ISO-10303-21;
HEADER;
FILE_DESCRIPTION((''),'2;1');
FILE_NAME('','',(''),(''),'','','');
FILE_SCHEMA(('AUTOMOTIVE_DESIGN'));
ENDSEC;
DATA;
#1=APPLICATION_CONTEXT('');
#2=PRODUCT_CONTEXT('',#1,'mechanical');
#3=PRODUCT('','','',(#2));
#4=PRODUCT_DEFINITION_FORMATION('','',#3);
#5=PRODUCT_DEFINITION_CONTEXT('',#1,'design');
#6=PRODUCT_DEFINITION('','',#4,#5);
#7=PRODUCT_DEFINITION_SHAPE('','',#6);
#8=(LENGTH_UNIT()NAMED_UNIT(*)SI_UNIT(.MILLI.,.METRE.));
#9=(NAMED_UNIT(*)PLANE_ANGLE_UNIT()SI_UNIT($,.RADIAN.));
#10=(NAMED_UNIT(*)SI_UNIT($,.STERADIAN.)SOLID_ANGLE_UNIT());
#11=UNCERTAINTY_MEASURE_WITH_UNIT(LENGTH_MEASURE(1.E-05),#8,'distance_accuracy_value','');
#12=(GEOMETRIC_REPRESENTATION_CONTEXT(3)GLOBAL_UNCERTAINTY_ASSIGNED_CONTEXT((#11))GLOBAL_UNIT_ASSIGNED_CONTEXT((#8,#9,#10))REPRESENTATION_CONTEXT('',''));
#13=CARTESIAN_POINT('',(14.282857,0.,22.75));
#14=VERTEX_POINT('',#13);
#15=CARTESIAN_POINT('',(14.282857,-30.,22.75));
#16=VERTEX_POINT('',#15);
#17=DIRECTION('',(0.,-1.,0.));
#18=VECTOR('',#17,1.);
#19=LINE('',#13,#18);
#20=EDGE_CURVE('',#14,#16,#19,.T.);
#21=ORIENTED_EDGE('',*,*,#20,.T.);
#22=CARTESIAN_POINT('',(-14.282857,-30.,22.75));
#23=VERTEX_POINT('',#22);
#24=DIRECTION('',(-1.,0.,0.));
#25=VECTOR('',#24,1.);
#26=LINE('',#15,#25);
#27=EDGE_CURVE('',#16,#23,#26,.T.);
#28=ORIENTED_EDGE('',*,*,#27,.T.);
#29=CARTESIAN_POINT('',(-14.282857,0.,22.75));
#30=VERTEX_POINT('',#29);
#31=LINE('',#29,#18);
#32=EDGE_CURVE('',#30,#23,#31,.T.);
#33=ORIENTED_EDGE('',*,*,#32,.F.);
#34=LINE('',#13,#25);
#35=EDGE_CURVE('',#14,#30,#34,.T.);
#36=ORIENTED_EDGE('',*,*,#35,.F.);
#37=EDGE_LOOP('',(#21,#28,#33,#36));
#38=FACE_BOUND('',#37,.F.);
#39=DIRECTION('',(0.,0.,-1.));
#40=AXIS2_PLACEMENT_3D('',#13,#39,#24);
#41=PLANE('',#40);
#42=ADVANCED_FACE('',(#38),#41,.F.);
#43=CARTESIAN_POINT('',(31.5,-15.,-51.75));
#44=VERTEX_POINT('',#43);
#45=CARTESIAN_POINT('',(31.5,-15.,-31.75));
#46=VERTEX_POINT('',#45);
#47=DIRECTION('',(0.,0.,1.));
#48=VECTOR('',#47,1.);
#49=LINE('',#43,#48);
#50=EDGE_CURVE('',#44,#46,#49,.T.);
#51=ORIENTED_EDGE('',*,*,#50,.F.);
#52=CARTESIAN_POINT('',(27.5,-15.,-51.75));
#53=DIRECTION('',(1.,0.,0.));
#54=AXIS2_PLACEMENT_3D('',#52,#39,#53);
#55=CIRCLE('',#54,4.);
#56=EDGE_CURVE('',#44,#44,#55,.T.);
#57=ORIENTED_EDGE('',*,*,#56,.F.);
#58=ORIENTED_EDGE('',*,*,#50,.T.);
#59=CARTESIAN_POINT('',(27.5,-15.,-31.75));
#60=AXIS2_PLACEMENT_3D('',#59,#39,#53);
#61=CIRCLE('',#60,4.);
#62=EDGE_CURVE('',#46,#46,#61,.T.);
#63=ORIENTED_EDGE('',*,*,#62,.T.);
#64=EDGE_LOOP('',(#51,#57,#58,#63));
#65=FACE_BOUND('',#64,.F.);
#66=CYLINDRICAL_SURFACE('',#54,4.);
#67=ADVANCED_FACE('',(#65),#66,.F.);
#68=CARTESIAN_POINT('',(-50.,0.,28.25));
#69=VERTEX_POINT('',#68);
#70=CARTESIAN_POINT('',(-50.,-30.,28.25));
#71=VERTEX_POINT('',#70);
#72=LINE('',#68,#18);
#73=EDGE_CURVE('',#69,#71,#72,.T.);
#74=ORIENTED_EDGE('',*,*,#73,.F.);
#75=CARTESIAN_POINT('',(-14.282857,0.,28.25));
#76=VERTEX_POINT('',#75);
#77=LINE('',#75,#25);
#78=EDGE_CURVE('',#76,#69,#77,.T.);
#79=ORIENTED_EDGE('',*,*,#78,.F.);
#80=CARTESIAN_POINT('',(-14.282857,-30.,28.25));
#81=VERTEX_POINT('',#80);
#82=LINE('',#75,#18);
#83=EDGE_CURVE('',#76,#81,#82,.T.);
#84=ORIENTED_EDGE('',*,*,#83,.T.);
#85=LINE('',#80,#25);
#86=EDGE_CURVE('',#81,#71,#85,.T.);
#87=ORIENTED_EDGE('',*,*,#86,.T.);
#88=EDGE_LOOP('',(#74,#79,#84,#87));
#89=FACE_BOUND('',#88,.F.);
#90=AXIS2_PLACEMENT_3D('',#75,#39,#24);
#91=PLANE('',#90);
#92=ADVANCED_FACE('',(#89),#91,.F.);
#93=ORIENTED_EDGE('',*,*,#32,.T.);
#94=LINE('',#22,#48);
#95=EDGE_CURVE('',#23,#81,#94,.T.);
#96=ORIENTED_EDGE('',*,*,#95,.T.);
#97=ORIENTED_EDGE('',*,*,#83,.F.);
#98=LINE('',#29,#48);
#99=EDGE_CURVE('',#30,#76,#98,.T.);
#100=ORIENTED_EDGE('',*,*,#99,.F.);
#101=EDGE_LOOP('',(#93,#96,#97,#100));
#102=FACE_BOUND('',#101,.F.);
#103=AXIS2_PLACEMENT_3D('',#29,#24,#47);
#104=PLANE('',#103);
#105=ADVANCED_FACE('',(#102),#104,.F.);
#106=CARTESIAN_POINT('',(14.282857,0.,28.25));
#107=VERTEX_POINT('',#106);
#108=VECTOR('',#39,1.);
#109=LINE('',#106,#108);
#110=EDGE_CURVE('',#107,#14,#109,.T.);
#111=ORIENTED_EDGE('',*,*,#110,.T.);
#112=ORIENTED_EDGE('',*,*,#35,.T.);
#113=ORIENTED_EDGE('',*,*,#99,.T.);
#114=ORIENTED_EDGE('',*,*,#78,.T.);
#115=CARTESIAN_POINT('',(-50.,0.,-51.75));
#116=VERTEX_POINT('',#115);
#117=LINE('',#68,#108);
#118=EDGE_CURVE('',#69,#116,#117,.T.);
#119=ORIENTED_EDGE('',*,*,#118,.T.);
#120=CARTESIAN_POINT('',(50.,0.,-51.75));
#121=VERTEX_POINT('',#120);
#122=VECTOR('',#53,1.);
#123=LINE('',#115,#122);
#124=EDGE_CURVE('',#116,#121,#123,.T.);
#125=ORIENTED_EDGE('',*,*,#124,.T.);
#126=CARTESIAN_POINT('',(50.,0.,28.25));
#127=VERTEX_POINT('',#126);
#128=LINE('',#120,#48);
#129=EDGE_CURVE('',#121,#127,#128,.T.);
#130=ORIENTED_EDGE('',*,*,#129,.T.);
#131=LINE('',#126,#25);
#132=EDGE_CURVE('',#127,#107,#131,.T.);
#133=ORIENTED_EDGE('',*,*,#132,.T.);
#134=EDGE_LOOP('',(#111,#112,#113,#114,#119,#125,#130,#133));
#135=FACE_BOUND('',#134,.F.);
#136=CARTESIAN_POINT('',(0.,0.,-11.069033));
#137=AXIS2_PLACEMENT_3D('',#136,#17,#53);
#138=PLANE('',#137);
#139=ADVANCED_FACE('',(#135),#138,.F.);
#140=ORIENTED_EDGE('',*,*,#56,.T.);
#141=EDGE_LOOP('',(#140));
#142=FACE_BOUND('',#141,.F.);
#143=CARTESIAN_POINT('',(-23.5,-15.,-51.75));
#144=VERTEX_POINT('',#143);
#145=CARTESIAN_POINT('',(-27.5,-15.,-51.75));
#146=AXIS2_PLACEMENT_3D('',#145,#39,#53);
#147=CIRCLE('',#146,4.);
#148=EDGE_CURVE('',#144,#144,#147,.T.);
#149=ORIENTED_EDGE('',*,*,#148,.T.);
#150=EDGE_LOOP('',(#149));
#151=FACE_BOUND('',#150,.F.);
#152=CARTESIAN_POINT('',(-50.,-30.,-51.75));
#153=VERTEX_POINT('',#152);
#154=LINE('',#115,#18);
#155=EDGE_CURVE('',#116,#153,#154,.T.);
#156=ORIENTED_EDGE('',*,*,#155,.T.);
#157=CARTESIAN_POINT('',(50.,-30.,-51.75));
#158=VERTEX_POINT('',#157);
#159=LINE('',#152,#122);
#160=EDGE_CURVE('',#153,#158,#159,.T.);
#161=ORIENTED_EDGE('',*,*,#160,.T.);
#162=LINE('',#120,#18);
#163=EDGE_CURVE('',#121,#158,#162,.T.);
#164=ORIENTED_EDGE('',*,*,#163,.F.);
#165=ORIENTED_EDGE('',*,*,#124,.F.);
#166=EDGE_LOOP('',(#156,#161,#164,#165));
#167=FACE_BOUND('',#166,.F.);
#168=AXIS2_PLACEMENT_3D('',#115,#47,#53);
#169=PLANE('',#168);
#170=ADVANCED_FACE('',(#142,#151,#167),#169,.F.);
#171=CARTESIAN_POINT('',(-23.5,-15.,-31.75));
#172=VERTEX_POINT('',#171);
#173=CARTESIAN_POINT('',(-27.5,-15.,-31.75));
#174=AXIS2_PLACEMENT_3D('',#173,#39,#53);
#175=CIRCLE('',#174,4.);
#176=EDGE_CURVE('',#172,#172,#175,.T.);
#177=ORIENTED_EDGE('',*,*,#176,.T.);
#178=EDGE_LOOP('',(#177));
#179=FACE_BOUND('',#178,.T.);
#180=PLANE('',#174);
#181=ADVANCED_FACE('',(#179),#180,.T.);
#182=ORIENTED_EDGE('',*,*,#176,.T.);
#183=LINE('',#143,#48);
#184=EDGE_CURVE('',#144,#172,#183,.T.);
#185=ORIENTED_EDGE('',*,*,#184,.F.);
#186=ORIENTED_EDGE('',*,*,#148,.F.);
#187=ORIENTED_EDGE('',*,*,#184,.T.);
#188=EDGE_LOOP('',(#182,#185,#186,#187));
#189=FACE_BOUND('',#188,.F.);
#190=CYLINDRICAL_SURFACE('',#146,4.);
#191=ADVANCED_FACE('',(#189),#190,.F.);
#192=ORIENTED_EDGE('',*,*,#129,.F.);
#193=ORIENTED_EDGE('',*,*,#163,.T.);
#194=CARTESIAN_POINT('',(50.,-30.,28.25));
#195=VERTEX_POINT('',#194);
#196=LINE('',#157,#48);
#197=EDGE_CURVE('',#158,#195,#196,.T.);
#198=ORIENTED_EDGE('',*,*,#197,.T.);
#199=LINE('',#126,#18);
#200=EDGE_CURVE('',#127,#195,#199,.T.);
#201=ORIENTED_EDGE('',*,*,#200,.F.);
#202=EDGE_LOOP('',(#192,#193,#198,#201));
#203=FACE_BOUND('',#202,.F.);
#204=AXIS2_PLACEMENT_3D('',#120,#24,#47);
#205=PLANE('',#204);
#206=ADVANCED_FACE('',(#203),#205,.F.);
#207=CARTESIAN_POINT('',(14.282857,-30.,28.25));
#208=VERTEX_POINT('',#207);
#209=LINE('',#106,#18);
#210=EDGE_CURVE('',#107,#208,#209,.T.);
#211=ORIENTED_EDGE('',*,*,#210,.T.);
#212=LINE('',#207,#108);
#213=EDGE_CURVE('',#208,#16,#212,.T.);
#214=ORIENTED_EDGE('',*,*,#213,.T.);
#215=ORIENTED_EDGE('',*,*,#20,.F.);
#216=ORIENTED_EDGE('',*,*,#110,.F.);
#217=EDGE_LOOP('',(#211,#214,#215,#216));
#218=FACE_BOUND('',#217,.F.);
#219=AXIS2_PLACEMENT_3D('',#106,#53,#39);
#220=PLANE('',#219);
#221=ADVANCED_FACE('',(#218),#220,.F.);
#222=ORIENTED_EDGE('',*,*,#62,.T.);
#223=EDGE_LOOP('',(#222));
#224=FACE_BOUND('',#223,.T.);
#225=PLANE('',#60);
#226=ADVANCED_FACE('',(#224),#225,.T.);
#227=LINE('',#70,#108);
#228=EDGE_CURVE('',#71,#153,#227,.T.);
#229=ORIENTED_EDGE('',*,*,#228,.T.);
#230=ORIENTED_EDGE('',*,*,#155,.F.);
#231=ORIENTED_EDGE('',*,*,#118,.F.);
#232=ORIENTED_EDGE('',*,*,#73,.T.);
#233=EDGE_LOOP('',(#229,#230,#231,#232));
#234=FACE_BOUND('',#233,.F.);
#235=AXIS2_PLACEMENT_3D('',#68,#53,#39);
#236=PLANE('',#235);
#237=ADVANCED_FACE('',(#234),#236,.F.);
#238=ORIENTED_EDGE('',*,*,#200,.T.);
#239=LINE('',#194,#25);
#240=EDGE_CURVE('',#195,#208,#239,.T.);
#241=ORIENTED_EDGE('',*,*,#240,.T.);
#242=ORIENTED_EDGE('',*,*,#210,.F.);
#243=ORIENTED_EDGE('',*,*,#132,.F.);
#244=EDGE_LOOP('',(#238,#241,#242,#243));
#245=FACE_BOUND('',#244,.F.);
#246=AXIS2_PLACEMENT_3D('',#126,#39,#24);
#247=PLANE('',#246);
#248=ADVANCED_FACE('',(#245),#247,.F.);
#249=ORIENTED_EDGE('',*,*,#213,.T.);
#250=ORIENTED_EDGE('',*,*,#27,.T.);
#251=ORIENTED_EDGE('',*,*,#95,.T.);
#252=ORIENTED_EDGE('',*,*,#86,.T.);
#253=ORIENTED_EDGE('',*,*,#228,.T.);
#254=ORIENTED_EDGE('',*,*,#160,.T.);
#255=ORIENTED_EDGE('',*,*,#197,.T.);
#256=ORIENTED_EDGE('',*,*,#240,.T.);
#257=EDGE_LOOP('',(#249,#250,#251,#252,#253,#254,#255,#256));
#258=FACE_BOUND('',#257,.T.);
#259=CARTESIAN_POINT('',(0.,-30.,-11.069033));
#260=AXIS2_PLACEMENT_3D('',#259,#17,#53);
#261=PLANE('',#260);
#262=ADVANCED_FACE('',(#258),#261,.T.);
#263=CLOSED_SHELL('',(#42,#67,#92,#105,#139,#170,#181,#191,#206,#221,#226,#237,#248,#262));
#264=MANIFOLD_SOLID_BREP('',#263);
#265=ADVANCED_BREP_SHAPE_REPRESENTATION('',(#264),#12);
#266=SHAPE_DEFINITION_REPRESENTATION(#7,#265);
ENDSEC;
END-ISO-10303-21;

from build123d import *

# Parameters (mm, degrees)
F1_DEPTH = 30
F2_R     = 4
F3_DEPTH = 20


with BuildPart() as f1:
    # F0 (on Front) → F1 (new body)
    with BuildSketch(Plane.XZ):
        Polygon((-50, 28.25), (-50, -51.75), (50, -51.75), (50, 28.25), (14.282857, 28.25), (14.282857, 22.75), (-14.282857, 22.75), (-14.282857, 28.25), align=None)
    extrude(amount=F1_DEPTH)

    # F2 (on face) → F3 (cut)
    with BuildSketch(Plane(origin=(0, 0, -51.75), x_dir=(1, 0, 0), z_dir=(0, 0, -1))):
        with Locations((-27.5, 15)):
            Circle(F2_R)
        with Locations((27.5, 15)):
            Circle(F2_R)
    extrude(amount=-F3_DEPTH, mode=Mode.SUBTRACT)


solid = f1.part
